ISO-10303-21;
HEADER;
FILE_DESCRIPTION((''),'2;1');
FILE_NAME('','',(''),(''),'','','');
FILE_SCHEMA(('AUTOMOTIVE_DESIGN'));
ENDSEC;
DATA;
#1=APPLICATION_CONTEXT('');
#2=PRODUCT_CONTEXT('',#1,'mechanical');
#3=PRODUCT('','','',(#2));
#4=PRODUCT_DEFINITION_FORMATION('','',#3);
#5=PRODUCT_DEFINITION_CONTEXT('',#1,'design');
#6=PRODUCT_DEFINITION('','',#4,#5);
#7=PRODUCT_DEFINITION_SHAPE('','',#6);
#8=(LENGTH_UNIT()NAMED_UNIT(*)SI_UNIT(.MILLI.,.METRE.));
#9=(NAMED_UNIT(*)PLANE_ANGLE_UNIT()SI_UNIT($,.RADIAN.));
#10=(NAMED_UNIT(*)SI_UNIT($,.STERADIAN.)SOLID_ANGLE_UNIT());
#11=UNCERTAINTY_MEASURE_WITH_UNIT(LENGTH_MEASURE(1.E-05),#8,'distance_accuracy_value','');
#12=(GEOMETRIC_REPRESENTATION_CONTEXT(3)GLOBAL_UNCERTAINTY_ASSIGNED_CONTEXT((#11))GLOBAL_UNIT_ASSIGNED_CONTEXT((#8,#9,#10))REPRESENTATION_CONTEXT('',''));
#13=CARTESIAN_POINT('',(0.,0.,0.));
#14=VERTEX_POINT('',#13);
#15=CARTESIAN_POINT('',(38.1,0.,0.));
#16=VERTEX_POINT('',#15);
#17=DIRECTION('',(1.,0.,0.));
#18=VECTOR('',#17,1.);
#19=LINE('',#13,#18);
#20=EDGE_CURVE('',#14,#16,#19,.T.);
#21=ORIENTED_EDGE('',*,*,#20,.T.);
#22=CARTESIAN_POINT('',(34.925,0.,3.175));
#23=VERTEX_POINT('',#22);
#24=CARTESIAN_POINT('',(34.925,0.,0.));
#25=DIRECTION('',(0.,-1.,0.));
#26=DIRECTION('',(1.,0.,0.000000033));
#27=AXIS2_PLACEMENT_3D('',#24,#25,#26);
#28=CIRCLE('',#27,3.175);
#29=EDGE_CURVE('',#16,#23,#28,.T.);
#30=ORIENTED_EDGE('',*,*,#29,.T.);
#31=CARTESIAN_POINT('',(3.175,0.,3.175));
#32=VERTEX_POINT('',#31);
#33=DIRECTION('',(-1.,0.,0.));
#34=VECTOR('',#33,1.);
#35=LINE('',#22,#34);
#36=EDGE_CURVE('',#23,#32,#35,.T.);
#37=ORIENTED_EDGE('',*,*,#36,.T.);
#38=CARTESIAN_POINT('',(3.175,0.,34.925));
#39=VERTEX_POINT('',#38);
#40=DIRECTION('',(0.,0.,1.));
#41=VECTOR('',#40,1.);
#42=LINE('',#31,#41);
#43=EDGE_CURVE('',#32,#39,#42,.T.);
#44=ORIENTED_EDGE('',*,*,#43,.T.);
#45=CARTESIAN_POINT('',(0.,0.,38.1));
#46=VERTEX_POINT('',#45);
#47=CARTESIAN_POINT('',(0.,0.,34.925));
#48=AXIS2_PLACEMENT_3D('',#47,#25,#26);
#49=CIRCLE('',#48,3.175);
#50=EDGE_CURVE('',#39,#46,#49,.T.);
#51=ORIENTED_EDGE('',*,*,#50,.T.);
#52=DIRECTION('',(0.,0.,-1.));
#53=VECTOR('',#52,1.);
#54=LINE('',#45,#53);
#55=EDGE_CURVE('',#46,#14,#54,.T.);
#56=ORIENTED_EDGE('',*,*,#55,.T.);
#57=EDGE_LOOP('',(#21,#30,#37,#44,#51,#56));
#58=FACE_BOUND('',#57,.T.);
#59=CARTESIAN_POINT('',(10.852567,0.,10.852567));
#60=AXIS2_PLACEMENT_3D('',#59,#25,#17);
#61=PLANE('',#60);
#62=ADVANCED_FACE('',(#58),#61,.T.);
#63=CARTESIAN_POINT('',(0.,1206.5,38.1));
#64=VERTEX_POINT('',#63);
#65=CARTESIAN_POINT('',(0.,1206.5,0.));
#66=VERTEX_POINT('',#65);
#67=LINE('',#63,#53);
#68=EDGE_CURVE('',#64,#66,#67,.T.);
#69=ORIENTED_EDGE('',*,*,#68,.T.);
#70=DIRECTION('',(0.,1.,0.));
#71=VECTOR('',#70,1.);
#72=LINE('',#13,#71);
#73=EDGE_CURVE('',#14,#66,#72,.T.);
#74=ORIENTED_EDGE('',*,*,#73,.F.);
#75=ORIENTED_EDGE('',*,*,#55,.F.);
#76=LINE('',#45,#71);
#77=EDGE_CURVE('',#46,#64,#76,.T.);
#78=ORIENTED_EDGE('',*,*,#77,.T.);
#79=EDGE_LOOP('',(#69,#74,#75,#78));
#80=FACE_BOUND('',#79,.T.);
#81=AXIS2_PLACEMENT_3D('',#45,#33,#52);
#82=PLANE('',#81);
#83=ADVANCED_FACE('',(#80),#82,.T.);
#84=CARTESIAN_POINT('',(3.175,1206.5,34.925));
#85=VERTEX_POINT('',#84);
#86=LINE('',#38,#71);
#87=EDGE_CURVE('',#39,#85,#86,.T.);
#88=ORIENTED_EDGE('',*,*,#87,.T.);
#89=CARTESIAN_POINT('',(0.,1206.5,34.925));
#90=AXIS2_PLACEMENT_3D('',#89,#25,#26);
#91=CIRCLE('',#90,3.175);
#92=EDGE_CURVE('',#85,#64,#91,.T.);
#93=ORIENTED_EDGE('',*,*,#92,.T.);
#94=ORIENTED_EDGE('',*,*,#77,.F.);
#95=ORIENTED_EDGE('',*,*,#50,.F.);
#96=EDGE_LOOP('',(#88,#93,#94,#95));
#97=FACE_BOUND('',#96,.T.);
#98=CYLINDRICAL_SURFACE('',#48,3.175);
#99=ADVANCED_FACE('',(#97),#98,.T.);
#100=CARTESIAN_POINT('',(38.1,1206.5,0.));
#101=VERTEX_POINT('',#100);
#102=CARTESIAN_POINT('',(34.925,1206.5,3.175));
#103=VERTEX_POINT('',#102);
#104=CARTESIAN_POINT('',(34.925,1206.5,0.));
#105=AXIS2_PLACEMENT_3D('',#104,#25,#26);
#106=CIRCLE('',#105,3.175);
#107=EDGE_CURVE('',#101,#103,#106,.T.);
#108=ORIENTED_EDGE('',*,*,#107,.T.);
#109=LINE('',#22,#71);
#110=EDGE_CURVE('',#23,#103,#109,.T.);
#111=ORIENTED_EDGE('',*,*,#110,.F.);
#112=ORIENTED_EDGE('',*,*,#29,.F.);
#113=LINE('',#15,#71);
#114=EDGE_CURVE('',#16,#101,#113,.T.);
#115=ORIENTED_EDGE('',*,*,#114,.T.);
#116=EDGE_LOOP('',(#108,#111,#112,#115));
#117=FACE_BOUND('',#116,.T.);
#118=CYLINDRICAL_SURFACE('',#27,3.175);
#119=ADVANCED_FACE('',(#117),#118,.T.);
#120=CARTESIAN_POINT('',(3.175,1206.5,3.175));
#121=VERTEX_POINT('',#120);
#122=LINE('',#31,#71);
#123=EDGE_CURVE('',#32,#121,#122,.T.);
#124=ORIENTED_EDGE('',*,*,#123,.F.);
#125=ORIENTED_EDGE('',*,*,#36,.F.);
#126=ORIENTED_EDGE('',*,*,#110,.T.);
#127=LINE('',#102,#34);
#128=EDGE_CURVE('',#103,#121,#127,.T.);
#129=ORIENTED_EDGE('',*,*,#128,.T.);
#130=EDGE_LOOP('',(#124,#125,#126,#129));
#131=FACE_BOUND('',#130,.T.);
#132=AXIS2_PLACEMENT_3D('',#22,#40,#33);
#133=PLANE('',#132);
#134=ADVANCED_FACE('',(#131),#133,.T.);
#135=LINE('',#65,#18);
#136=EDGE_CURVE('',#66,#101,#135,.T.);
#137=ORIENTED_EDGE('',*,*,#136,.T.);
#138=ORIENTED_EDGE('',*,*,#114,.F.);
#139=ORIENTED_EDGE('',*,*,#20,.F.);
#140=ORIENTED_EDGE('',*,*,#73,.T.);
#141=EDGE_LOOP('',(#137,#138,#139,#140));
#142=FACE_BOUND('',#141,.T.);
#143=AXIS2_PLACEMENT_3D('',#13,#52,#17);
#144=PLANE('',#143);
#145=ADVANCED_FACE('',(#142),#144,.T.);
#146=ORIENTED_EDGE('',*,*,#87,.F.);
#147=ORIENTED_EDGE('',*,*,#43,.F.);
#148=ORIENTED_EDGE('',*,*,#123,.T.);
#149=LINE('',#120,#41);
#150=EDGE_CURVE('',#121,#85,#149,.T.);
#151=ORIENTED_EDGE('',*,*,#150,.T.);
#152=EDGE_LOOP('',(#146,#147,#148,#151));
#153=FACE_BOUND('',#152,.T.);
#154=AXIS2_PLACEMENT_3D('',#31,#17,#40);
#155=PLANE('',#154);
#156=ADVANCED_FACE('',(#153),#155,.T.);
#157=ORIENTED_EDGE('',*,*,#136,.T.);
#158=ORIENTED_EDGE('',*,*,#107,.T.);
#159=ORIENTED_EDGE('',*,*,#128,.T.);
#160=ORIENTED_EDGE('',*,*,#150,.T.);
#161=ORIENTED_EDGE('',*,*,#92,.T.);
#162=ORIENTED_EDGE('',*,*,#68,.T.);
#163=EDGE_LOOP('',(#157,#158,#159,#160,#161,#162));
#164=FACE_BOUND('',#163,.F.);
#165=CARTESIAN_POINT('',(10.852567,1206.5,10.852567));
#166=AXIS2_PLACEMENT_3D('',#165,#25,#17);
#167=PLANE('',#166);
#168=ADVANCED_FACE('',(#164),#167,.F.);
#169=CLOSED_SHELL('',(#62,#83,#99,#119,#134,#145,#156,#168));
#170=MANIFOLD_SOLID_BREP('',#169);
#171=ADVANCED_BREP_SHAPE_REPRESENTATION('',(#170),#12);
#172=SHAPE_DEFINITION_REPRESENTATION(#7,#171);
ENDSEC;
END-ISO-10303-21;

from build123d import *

# Parameters (mm, degrees)
F1_DEPTH = 1206.5


with BuildPart() as f1:
    # F0 (on Front) → F1 (new body)
    with BuildSketch(Plane.XZ):
        with BuildLine():
            Line((0, 38.1), (0, 0))
            Line((0, 0), (38.1, 0))
            ThreePointArc((38.1, 0), (37.170064, 2.245064), (34.925, 3.175))
            Line((34.925, 3.175), (3.175, 3.175))
            Line((3.175, 3.175), (3.175, 34.925))
            ThreePointArc((3.175, 34.925), (2.245064, 37.170064), (0, 38.1))
        make_face()
    extrude(amount=-F1_DEPTH)


solid = f1.part
